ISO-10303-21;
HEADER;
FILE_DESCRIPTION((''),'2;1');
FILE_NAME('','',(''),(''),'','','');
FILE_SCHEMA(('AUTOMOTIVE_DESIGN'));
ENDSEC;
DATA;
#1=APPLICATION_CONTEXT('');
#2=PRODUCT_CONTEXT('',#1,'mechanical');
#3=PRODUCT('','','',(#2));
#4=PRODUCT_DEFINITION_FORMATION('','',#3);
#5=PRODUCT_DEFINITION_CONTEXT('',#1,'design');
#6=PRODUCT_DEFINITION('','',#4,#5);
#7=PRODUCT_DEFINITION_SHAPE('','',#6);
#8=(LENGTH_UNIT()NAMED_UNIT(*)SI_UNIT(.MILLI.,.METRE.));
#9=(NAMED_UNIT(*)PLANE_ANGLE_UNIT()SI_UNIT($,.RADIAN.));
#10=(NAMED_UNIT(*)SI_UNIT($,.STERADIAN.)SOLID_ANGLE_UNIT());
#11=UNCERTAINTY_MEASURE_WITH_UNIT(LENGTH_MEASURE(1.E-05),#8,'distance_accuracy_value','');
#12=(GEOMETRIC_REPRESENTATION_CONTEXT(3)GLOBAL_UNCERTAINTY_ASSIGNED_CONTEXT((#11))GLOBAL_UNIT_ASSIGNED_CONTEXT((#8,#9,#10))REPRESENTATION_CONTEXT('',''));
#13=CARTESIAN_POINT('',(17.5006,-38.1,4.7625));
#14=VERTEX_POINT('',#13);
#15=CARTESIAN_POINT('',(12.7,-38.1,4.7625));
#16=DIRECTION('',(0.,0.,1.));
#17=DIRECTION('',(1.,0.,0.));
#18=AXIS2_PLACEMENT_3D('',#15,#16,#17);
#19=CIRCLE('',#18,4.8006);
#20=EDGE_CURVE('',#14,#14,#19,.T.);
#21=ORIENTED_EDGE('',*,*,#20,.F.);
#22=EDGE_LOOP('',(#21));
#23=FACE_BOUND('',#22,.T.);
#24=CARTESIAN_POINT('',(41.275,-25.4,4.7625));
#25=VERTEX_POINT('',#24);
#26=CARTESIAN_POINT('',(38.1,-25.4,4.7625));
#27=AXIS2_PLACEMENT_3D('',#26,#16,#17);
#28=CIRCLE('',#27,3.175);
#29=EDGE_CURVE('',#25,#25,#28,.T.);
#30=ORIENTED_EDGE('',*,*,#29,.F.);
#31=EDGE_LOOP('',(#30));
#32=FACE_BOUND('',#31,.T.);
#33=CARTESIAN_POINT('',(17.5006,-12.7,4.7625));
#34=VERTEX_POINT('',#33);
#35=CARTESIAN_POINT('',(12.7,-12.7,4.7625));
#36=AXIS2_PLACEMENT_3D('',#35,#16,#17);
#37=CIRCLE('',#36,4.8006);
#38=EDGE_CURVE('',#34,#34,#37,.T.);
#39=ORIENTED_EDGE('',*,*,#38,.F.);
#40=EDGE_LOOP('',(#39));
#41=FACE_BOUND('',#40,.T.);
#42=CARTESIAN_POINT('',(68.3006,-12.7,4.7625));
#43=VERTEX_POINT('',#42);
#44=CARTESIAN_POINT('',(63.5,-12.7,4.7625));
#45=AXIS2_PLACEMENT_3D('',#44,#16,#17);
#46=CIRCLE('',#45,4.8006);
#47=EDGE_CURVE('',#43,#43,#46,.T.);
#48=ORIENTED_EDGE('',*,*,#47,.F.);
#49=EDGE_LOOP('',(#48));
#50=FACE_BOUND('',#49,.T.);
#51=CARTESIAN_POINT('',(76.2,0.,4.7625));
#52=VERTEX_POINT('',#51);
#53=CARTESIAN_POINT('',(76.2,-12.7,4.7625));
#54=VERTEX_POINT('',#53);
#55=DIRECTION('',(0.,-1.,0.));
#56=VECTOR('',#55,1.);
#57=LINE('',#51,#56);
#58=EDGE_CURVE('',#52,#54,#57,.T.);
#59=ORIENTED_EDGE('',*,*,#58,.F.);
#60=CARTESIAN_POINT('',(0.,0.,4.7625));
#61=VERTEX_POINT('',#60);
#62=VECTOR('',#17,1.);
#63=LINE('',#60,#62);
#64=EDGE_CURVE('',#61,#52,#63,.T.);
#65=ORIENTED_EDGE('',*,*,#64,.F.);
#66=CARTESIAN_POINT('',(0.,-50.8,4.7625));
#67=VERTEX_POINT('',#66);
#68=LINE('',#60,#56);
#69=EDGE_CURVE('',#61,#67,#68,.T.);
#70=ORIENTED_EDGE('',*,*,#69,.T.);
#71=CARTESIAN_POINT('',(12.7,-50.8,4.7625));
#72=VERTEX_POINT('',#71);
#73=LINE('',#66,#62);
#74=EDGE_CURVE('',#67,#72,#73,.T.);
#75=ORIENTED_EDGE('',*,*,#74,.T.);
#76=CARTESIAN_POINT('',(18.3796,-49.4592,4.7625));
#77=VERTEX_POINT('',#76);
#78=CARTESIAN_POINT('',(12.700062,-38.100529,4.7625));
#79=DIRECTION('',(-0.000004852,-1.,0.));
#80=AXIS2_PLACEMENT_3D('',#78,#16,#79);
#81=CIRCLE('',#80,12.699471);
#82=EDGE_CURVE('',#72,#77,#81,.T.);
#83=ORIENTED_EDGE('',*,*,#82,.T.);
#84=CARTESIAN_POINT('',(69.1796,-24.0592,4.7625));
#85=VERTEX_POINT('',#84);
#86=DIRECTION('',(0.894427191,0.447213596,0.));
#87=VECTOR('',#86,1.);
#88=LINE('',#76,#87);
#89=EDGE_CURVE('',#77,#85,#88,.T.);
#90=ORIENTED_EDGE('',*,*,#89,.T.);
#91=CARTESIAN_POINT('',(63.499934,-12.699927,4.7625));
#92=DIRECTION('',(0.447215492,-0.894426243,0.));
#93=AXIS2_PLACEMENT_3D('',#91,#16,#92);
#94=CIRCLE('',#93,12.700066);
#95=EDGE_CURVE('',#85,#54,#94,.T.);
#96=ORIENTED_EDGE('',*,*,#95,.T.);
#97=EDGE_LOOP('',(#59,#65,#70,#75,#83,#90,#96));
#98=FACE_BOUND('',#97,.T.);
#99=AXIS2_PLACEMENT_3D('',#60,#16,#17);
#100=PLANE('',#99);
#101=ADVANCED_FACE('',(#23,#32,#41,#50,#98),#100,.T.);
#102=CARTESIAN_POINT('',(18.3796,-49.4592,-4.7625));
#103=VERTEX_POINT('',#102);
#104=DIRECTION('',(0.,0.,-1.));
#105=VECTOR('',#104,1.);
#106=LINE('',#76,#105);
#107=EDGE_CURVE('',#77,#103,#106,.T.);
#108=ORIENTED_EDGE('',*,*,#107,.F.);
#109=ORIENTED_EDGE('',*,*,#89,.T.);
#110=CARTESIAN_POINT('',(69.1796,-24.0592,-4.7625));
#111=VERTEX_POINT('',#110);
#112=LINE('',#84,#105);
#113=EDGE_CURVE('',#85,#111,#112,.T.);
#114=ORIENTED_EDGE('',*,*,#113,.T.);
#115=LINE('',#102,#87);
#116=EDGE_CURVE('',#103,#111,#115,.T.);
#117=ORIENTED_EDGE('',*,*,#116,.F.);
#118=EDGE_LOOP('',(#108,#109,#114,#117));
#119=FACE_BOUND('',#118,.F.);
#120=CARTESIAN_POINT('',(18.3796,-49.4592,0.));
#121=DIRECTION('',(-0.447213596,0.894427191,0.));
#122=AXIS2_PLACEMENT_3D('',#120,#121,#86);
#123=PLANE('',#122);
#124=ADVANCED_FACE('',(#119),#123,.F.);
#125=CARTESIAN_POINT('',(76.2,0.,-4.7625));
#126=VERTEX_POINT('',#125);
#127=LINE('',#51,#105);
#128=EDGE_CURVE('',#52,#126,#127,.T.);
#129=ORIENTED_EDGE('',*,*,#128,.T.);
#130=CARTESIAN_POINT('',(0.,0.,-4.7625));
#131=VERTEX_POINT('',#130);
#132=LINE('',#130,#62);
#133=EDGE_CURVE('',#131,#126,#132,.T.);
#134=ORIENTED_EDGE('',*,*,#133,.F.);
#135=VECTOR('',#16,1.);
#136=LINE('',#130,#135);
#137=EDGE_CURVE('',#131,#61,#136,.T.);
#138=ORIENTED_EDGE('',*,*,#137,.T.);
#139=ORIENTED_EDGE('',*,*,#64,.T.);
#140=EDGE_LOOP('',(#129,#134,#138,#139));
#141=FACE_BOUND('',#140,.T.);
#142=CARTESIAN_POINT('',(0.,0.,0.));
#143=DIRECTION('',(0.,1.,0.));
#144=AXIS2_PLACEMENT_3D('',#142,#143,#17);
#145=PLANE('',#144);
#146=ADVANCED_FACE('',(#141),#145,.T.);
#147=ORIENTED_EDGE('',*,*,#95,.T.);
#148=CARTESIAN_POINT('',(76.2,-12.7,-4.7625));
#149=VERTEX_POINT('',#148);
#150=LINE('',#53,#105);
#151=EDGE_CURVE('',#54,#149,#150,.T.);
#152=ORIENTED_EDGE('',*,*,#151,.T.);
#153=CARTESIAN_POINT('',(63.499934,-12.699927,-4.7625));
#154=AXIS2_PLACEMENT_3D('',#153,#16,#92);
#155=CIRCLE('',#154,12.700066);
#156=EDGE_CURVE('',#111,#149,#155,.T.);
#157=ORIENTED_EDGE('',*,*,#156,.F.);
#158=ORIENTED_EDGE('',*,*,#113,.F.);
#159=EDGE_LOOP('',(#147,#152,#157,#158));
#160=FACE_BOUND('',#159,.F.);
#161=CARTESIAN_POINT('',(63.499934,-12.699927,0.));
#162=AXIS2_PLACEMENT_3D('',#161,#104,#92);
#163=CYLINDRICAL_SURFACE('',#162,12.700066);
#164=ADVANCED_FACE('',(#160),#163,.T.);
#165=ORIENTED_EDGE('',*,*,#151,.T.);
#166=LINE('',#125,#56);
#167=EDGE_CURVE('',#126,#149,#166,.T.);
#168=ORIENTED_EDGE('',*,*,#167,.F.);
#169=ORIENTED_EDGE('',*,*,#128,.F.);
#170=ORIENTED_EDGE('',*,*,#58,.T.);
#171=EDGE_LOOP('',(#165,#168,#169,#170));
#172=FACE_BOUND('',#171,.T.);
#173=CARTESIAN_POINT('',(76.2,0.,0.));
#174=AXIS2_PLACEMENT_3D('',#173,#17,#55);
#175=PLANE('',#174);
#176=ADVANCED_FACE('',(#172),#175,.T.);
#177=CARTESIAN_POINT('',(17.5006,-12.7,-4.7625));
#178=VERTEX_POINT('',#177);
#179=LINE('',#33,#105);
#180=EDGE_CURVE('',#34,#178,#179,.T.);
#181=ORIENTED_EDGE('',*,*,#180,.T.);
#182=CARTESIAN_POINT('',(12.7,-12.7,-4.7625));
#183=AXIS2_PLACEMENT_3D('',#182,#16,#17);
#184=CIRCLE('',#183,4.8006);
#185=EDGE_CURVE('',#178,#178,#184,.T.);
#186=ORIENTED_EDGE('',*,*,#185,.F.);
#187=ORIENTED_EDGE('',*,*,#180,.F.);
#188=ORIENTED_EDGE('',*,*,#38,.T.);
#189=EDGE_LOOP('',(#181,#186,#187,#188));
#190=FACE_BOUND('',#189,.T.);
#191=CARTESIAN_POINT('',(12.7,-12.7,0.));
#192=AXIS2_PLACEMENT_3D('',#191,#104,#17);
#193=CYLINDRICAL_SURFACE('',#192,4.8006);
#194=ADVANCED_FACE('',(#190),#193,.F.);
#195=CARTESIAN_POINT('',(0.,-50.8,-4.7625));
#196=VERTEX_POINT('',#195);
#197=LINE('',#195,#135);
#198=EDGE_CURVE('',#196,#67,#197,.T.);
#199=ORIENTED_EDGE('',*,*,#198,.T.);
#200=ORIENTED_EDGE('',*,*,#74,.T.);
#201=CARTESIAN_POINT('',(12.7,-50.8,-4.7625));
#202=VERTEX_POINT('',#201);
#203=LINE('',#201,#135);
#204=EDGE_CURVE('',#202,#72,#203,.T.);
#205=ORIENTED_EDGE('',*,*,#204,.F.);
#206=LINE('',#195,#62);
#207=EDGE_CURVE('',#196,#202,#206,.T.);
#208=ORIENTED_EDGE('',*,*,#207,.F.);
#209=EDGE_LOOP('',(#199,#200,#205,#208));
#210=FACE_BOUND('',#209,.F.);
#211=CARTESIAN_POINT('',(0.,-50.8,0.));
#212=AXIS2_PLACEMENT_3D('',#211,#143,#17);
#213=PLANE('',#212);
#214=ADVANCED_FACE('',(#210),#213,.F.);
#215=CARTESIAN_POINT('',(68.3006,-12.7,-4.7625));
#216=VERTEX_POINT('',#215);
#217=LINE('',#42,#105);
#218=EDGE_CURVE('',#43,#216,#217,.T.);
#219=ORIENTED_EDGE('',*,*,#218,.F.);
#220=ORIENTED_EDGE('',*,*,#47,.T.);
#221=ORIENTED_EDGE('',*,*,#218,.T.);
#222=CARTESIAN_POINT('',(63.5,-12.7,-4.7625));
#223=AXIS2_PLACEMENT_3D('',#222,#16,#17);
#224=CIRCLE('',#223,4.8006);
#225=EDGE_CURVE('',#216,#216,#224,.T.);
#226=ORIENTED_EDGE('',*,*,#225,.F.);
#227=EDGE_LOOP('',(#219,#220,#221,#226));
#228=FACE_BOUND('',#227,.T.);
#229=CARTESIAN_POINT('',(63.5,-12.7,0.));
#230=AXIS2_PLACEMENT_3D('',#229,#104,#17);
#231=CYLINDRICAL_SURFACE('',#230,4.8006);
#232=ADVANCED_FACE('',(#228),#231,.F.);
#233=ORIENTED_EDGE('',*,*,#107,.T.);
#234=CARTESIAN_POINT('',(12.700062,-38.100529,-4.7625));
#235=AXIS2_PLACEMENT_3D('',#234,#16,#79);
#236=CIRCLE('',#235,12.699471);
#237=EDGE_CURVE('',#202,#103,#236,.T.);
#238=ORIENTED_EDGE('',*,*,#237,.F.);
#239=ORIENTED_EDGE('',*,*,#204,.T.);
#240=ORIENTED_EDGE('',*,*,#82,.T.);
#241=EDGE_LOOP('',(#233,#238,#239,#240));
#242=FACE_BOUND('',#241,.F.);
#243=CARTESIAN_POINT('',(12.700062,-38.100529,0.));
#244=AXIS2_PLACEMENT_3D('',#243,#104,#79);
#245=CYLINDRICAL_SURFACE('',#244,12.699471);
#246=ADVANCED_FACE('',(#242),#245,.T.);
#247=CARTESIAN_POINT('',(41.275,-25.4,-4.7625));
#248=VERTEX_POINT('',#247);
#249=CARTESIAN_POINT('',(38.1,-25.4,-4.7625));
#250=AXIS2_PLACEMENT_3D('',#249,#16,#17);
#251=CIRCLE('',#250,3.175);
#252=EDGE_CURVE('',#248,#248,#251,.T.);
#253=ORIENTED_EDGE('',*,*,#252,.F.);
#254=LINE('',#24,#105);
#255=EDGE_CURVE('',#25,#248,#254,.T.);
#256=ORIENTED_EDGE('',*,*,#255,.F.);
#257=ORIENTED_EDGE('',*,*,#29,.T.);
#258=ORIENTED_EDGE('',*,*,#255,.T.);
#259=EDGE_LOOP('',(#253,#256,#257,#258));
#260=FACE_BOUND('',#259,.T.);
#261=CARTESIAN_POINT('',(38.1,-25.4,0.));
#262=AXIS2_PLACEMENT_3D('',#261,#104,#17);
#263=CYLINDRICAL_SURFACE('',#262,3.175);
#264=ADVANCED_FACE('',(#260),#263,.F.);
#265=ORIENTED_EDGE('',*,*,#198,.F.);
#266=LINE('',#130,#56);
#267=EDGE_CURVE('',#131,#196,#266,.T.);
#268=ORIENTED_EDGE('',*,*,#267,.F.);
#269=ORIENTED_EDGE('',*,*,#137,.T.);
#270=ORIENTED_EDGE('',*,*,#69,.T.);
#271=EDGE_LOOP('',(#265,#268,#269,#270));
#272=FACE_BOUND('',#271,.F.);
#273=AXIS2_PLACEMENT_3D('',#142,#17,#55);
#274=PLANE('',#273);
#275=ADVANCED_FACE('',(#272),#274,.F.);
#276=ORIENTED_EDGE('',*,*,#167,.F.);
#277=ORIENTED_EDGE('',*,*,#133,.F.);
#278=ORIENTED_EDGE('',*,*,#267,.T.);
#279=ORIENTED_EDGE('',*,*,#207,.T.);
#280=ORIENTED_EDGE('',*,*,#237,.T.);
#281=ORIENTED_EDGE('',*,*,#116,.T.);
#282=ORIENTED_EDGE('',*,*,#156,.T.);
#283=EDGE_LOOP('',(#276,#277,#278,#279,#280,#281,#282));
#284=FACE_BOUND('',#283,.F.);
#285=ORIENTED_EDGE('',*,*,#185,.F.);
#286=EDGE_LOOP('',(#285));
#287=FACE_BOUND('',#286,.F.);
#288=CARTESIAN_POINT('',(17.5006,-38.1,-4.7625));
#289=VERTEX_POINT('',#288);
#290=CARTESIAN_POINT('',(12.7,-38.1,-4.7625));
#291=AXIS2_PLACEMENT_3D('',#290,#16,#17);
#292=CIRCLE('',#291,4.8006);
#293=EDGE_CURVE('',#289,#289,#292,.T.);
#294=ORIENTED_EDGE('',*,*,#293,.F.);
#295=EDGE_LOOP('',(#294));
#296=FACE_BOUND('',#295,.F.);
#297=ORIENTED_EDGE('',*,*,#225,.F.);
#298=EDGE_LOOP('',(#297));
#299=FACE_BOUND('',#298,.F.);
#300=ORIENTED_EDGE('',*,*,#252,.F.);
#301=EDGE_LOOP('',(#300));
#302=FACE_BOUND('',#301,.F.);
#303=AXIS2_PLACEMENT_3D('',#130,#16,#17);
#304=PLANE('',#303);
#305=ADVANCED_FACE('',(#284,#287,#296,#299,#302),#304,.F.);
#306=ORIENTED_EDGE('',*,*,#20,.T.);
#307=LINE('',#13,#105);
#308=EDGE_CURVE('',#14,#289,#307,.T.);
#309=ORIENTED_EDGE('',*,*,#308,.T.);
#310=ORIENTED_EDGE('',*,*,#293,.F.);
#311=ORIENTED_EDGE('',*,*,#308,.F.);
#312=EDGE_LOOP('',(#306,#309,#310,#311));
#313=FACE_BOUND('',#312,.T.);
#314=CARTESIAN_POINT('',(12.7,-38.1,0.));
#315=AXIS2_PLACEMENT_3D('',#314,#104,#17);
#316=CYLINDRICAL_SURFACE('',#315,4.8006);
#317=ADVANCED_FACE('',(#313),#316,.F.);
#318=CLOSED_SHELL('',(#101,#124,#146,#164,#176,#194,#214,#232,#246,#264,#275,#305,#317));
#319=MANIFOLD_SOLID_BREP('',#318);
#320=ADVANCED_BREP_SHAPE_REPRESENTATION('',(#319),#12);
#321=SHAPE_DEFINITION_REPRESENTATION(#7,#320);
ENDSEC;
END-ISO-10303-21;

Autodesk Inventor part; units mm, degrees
ref_plane "YZ Plane" through (0, 0, 0) normal (1, 0, 0) x (0, 1, 0)
ref_plane "XZ Plane" through (0, 0, 0) normal (0, 1, 0) x (-1, 0, 0)
ref_plane "XY Plane" through (0, 0, 0) normal (0, 0, 1) x (1, 0, 0)
sketch "Sketch1" plane through (0, 0, 0) normal (0, 0, 1) x (1, 0, 0)
  line L0 (0, 0) -> (76.2, 0)
  line L1 (0, 0) -> (0, -50.8)
  line L2 (0, -50.8) -> (12.7, -50.8)
  line L3 (18.3796, -49.4592) -> (69.1796, -24.0592)
  arc A0 (12.7, -50.8) -> (18.3796, -49.4592) centre (12.7, -38.1) ccw
  line L4 (76.2, 0) -> (76.2, -12.7)
  arc A1 (69.1796, -24.0592) -> (76.2, -12.7) centre (63.5, -12.7) ccw
  circle A2 centre (12.7, -38.1) radius 4.8006
  circle A3 centre (12.7, -12.7) radius 4.8006
  circle A4 centre (63.5, -12.7) radius 4.8006
  line L5 (12.7, -12.7) -> (63.5, -12.7) construction
  line L6 (12.7, -38.1) -> (12.7, -12.7) construction
  circle A5 centre (38.1, -25.4) radius 3.175
  dimension "d2" = 50.8
  dimension "d3" = 12.7
  dimension "d4" = 12.7
  dimension "d5" = 12.7
  dimension "d7" = 9.6012
  dimension "d8" = 25.4
  dimension "d10" = 50.8
  dimension "d11" = 12.7
  dimension "d12" = 6.35
  dimension "d13" = 12.7
  dimension "d14" = 25.4
  dimension "d15" = 12.7
  dimension "d16" = 76.2
extrude "Extrusion1" add sketch "Sketch1" along normal mid plane 9.525
properties part number "Plate"
